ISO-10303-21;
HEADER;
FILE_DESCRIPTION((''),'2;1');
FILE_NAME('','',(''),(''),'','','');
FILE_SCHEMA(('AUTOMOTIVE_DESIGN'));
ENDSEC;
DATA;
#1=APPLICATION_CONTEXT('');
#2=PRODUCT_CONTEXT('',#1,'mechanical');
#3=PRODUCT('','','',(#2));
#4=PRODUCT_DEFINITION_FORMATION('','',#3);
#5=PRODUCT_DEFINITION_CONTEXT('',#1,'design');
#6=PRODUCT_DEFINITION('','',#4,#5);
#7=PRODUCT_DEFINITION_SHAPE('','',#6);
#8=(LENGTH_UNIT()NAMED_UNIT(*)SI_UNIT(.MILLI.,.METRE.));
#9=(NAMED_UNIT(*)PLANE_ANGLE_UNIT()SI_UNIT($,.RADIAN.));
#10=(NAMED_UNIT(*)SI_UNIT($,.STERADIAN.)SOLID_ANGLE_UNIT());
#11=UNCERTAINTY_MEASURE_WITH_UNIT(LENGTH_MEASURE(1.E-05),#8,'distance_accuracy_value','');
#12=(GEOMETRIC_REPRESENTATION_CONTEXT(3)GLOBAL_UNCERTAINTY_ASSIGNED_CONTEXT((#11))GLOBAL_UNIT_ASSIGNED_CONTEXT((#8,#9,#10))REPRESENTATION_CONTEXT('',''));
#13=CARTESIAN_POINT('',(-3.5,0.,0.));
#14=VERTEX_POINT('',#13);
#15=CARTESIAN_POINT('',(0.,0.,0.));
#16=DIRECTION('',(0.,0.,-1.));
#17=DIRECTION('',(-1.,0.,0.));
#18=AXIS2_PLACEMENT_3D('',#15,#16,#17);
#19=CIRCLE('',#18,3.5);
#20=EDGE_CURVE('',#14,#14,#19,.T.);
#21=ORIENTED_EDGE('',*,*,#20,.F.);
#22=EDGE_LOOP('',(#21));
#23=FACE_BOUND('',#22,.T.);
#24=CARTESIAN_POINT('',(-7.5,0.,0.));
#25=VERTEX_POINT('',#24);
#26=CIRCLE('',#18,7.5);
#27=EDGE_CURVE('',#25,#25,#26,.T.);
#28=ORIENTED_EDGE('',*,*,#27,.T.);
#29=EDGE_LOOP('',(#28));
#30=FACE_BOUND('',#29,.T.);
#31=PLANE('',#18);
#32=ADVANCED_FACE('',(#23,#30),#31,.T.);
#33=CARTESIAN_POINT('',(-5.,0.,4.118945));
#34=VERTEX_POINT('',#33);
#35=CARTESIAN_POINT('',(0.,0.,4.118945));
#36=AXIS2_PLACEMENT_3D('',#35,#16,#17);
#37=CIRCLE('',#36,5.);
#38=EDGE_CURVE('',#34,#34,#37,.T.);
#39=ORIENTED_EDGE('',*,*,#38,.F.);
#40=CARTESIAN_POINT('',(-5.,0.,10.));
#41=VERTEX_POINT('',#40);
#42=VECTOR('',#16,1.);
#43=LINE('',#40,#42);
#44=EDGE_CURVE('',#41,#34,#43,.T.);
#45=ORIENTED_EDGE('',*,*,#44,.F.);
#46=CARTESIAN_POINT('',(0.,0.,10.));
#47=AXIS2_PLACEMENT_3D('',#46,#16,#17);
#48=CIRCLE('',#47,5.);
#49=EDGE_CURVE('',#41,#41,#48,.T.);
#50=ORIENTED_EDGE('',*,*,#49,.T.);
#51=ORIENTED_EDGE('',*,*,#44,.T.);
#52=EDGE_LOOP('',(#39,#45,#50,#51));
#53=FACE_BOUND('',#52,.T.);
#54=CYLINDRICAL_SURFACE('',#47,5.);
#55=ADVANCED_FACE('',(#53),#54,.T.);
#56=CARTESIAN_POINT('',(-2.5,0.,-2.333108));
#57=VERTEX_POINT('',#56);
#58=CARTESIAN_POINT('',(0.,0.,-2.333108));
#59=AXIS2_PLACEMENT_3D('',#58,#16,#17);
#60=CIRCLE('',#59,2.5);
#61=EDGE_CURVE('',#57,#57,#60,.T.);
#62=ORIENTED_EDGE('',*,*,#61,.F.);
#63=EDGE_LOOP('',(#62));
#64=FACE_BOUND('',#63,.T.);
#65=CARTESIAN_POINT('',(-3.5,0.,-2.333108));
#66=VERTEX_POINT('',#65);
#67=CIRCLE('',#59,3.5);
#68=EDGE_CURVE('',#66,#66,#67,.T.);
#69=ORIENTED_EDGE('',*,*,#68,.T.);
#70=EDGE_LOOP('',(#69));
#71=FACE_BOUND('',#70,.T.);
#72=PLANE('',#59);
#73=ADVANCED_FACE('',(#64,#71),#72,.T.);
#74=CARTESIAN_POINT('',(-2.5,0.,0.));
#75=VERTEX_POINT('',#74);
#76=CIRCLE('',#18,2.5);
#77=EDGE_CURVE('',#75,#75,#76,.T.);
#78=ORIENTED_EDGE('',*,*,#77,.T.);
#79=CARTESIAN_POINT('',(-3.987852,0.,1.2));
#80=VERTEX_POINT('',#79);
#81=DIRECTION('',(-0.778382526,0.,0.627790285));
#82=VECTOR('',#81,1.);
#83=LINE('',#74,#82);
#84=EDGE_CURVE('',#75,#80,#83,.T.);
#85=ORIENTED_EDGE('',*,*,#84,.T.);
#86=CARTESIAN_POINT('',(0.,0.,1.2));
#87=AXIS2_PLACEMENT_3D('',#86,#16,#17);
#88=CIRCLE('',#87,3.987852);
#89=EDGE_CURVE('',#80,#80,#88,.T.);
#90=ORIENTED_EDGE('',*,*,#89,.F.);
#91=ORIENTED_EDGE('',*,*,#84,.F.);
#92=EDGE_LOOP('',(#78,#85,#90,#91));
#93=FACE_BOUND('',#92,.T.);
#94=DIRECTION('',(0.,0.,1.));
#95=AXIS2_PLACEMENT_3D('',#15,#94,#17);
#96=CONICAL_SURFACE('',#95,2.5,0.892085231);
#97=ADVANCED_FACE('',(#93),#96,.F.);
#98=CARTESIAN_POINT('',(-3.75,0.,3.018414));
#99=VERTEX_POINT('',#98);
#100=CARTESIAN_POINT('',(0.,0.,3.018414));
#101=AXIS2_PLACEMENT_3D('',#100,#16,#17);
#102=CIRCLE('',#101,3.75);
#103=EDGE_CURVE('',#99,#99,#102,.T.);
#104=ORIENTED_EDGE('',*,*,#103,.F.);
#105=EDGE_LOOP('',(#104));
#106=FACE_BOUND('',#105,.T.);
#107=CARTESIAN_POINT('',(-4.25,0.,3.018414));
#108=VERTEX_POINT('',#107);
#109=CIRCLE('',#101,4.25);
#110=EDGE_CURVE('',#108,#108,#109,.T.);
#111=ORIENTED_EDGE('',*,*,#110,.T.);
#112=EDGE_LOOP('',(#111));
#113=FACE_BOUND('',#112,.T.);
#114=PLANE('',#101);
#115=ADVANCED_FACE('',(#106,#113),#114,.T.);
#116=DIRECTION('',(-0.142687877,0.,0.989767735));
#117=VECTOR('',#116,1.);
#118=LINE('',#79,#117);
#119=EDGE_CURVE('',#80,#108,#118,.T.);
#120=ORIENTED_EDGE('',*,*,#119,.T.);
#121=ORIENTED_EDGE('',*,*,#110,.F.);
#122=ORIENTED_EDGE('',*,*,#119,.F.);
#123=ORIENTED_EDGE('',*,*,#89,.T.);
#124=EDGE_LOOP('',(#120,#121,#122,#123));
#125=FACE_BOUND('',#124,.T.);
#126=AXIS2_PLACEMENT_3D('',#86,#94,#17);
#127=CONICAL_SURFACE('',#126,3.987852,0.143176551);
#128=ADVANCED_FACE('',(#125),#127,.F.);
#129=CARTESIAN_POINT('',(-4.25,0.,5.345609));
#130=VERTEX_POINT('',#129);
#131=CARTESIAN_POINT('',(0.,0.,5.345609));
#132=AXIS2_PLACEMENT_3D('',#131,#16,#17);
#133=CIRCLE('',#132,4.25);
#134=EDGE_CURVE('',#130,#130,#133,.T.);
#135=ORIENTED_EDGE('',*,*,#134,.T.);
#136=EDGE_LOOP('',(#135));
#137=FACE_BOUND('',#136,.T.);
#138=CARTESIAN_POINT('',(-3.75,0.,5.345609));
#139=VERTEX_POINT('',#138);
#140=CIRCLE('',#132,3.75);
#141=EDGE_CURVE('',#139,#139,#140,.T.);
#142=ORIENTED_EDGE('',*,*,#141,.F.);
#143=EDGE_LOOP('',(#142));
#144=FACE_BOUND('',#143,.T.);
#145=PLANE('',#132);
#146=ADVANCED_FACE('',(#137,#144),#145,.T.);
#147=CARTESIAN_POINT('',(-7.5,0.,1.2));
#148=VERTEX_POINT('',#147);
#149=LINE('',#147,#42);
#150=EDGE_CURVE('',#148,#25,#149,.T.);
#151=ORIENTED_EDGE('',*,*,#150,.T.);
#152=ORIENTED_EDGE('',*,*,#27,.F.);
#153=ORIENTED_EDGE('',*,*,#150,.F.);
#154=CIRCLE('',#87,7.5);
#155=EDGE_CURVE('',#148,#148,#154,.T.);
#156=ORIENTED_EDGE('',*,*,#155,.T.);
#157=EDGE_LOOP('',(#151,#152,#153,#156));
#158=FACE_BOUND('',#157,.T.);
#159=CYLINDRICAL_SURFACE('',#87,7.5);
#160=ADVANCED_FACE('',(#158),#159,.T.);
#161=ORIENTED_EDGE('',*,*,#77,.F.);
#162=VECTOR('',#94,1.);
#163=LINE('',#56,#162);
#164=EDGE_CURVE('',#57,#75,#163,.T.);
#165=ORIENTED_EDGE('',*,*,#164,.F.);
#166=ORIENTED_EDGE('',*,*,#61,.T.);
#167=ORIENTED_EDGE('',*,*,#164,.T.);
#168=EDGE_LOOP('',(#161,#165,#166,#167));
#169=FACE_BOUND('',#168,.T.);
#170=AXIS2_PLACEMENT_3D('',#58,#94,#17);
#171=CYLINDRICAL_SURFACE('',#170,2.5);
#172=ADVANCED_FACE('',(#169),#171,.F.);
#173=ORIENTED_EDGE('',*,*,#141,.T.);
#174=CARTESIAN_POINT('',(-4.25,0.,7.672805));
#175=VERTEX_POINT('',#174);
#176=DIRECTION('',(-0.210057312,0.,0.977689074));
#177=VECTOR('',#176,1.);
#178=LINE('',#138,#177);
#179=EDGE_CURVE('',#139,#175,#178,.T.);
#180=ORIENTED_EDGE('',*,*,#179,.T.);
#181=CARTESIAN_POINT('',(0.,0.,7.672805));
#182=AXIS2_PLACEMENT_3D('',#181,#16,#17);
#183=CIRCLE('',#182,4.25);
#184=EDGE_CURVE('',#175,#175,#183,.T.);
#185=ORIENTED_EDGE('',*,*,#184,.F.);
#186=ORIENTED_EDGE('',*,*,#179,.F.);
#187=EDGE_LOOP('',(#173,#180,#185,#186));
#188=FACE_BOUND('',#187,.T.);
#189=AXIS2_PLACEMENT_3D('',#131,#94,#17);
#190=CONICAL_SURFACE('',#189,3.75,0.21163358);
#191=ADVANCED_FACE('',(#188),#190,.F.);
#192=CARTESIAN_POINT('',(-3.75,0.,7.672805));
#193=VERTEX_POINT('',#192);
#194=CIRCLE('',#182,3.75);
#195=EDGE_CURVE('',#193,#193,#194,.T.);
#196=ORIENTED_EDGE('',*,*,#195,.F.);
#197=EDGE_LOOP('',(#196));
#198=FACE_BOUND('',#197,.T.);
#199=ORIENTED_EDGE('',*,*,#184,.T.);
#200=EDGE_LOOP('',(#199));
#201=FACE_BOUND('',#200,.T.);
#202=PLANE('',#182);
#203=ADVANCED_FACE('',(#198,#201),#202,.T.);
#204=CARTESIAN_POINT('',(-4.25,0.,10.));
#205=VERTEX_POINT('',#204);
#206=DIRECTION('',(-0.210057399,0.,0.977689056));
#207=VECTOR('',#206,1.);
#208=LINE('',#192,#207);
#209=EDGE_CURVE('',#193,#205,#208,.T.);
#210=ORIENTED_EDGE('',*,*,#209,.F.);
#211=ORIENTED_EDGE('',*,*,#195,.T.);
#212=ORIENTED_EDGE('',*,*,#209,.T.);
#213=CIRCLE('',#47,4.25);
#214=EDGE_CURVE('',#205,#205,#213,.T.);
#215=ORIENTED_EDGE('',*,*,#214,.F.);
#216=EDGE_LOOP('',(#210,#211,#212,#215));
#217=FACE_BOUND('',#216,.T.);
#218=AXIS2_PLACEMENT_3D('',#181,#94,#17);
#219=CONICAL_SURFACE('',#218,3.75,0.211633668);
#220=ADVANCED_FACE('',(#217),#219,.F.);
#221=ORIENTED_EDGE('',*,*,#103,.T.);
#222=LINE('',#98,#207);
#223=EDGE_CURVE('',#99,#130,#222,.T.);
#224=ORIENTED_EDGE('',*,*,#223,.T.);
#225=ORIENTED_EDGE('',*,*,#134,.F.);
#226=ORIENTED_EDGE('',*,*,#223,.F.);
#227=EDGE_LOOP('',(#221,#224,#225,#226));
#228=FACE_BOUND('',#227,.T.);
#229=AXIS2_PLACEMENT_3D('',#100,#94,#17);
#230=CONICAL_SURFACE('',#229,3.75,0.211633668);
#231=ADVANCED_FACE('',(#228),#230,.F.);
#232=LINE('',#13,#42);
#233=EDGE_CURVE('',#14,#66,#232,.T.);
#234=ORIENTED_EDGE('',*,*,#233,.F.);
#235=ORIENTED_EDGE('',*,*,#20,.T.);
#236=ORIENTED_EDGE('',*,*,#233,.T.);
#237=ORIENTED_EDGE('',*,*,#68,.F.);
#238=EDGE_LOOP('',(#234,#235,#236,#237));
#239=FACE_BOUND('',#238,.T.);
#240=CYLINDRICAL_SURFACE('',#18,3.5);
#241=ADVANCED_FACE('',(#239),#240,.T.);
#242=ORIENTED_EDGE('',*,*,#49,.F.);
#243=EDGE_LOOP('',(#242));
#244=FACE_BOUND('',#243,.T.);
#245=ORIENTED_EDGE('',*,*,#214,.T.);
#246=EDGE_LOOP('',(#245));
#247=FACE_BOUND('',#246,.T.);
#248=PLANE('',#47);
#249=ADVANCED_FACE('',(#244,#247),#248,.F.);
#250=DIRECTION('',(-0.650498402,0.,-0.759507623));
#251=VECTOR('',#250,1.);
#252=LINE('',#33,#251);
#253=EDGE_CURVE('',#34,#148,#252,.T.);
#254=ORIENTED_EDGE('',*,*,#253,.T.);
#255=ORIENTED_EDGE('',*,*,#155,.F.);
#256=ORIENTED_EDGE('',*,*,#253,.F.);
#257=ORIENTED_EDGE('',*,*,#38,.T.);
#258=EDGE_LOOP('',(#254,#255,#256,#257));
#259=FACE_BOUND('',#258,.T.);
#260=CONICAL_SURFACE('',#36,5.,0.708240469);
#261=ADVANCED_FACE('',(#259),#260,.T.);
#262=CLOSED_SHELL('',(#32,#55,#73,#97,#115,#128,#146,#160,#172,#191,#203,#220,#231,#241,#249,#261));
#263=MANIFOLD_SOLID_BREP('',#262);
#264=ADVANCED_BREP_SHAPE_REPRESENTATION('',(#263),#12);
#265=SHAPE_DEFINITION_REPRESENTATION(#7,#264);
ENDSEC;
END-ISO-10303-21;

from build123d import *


with BuildPart() as f2:
    # F1 (on Front) → F2 (revolve)
    with BuildSketch(Plane.XZ):
        Polygon((-3.75, 7.672805), (-4.25, 10), (-5, 10), (-5, 4.118945), (-7.5, 1.2), (-7.5, 0), (-3.5, 0), (-3.5, -2.333108), (-2.5, -2.333108), (-2.5, 0), (-3.987852, 1.2), (-4.25, 3.018414), (-3.75, 3.018414), (-4.25, 5.345609), (-3.75, 5.345609), (-4.25, 7.672805), align=None)
    revolve(axis=Axis((0, 0, 6.619667), (0, 0, -1)))


solid = f2.part
